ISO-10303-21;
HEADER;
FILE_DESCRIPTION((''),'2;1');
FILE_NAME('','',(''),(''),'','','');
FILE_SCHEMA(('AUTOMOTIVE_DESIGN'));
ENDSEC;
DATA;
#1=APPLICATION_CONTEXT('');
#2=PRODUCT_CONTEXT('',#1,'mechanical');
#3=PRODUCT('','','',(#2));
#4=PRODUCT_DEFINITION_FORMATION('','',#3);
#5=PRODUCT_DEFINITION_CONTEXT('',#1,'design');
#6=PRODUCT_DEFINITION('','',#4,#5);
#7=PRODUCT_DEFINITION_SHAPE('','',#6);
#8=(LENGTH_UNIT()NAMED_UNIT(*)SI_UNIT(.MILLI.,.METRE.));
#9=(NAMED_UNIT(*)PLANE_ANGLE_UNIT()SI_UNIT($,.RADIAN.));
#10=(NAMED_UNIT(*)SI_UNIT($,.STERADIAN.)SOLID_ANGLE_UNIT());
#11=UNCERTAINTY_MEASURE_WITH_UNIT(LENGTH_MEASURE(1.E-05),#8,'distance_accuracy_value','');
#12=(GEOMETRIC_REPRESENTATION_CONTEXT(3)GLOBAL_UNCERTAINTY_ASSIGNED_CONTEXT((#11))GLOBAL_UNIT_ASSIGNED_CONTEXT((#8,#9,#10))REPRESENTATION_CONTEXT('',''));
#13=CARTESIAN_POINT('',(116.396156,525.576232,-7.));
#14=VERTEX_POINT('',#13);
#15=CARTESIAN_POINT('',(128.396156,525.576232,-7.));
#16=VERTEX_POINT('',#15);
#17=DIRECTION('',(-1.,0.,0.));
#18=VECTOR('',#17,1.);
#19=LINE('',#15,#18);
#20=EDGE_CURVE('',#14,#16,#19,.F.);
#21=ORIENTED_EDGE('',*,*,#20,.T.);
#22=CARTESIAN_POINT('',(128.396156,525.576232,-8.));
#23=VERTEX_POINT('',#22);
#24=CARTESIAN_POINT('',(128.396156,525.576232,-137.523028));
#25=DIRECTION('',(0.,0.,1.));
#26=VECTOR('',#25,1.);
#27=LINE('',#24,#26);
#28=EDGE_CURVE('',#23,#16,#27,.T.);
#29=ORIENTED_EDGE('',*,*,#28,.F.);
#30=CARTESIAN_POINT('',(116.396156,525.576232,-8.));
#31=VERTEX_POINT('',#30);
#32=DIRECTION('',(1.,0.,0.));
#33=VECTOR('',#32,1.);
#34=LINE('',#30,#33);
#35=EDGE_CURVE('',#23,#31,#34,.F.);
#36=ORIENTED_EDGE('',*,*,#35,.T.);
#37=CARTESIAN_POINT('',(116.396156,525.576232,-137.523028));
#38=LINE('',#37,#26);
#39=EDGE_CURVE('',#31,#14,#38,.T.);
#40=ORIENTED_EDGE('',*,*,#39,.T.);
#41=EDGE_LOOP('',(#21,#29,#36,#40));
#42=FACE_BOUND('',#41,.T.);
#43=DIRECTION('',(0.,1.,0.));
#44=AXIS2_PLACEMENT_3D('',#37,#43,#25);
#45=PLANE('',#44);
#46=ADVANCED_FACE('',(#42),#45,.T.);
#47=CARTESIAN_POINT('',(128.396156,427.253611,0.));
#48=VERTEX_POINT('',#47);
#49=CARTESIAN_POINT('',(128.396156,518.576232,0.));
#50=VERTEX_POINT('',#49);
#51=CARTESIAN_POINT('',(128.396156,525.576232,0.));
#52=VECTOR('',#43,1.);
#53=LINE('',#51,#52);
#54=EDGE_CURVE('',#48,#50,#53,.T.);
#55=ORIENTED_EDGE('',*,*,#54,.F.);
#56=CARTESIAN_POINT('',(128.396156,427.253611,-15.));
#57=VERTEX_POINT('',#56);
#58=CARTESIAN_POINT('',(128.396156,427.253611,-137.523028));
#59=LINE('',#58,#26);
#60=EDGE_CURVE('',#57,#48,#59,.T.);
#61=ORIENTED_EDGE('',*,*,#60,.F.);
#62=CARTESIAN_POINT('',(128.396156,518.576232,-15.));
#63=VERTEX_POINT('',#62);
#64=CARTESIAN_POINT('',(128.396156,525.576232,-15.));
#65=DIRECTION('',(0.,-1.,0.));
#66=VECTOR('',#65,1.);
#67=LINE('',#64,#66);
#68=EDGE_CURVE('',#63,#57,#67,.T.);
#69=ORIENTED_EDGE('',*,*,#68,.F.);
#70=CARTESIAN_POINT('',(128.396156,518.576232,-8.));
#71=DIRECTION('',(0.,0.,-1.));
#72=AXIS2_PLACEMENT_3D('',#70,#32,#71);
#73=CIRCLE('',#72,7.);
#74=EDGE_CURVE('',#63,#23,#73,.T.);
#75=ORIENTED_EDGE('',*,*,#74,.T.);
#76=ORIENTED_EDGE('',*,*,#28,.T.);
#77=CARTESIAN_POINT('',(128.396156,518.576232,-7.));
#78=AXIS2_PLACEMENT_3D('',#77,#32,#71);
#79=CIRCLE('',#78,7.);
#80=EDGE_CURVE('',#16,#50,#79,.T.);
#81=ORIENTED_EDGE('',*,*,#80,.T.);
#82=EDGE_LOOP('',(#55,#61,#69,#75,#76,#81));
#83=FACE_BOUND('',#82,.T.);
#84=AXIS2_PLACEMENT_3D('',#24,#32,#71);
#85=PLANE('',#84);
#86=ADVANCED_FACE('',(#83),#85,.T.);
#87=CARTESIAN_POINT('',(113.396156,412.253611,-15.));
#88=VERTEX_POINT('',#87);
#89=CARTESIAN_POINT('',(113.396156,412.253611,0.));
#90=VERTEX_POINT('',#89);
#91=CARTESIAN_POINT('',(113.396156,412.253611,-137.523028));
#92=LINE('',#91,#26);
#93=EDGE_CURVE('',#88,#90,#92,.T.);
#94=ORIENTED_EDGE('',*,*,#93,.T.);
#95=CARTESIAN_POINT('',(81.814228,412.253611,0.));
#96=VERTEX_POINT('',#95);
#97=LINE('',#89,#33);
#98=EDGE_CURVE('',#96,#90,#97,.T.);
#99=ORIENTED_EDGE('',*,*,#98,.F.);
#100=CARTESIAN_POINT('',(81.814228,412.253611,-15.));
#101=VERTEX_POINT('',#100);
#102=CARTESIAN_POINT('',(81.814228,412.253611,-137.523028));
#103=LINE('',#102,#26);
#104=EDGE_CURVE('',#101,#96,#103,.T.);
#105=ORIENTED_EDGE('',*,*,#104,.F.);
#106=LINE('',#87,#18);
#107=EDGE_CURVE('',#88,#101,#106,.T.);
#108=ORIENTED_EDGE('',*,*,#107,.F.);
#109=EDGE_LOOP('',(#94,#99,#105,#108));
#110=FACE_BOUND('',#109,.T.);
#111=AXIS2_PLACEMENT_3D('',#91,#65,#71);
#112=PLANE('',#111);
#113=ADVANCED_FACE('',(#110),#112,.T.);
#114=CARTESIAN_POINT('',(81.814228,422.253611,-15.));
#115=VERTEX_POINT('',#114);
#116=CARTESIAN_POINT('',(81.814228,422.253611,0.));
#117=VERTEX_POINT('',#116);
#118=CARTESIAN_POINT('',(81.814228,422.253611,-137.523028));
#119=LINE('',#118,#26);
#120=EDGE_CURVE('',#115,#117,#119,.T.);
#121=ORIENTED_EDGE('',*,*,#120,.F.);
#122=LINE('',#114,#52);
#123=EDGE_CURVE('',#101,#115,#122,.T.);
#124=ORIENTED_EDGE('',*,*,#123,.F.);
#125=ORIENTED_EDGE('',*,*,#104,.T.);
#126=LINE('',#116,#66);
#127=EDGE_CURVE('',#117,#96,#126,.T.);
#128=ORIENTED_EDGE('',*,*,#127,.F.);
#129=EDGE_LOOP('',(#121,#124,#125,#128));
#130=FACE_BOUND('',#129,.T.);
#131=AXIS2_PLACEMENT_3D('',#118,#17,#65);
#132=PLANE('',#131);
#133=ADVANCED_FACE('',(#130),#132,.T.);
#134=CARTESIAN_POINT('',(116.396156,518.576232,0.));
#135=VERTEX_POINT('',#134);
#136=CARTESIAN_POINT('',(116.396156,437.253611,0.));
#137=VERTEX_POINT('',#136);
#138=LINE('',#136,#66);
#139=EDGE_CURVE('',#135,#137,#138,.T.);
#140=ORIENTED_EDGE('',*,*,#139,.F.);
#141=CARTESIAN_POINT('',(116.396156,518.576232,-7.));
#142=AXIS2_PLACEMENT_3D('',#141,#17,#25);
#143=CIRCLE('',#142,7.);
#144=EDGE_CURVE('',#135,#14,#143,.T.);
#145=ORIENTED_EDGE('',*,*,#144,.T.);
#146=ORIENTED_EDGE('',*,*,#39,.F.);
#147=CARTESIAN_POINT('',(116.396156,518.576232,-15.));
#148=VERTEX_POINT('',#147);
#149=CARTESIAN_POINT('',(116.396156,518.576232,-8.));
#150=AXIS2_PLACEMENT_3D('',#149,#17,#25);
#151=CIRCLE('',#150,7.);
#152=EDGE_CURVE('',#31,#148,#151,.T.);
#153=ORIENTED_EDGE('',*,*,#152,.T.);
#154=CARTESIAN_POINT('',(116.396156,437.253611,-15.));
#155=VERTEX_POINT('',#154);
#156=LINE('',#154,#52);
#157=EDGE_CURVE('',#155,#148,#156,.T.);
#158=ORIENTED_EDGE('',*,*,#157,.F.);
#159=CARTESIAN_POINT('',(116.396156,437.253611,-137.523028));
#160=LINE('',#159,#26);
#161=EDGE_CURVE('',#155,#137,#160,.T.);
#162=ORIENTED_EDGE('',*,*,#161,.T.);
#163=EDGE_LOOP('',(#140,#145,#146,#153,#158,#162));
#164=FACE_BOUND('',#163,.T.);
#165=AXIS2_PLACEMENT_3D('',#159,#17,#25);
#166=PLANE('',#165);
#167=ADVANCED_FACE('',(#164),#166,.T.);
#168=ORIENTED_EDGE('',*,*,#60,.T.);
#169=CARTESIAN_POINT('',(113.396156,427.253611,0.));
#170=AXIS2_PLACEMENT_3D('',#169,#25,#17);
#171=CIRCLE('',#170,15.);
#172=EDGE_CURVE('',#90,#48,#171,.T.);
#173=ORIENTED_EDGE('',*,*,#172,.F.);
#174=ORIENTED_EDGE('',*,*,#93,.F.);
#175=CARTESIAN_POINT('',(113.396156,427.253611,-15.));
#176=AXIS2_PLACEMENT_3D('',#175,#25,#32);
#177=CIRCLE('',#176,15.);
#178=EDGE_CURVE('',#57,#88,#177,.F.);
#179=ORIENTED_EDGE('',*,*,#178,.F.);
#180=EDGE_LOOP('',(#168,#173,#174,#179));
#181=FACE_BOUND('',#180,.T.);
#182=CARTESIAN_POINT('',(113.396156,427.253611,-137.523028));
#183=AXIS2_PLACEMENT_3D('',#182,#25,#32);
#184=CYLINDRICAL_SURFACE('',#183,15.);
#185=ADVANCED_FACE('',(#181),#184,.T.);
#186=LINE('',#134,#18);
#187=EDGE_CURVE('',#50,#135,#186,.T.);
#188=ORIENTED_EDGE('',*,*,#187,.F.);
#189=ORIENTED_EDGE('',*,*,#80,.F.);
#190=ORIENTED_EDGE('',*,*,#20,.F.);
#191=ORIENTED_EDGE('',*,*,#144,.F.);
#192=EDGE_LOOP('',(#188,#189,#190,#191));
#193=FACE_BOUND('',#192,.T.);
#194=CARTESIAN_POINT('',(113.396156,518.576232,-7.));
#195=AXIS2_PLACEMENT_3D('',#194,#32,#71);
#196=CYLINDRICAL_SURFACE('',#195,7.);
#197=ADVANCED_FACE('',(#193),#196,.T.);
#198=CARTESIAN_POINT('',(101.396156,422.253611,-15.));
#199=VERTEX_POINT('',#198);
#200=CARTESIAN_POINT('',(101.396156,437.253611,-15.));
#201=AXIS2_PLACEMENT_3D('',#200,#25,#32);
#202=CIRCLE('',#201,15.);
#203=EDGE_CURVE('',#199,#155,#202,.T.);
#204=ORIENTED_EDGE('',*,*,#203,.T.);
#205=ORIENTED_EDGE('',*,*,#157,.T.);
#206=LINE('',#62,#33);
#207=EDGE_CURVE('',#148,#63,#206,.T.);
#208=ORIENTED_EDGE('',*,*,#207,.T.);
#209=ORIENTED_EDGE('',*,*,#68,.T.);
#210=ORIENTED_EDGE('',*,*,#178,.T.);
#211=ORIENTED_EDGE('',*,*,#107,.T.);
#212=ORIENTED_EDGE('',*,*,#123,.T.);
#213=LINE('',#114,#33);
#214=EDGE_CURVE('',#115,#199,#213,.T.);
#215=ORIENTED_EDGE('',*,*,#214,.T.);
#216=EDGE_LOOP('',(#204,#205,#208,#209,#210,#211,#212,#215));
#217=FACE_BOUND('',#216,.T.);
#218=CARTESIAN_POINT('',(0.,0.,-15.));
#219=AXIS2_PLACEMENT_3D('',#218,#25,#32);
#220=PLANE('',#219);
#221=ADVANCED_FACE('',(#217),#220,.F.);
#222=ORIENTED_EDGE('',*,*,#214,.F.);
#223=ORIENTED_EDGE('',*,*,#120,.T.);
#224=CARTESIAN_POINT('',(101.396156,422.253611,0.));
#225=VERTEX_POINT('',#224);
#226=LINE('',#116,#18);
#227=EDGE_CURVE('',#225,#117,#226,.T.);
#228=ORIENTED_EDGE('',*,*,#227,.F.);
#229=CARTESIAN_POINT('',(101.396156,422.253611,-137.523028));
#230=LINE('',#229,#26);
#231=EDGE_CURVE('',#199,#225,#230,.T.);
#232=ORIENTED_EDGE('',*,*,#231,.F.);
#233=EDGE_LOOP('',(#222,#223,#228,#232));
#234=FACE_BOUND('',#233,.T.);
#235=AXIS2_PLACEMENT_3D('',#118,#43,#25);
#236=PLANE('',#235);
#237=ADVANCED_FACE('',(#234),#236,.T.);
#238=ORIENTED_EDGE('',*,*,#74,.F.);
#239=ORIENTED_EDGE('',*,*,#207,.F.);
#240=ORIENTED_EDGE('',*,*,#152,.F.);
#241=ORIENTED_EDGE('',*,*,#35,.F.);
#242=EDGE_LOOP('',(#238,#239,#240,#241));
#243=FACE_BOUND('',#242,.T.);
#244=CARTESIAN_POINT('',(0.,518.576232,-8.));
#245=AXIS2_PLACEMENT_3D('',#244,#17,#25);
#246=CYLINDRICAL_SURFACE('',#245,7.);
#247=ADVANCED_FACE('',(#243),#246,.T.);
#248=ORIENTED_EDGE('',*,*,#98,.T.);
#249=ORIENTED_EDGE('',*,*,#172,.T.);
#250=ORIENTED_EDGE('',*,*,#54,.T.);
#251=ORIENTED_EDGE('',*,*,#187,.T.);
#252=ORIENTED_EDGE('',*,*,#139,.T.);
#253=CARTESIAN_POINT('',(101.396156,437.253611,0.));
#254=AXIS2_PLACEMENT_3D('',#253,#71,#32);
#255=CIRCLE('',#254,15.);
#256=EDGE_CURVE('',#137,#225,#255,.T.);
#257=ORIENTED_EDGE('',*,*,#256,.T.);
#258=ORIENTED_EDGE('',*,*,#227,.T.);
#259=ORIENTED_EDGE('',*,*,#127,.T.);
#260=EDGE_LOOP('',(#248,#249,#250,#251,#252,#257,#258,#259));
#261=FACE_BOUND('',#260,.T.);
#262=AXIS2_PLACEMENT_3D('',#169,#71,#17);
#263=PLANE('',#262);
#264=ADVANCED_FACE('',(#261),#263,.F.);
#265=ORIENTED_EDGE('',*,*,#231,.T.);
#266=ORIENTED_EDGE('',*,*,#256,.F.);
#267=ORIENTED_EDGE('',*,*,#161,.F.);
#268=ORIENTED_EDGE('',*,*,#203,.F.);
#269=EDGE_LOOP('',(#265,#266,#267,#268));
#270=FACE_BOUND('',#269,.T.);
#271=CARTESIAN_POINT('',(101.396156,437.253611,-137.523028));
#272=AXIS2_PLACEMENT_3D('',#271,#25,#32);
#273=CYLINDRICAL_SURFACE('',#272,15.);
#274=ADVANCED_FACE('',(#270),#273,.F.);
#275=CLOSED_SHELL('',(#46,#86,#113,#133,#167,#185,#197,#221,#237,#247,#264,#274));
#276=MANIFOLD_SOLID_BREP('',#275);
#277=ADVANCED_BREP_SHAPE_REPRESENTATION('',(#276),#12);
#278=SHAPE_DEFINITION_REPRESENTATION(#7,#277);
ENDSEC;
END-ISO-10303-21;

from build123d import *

# Parameters (mm, degrees)
BOSS_EXTRUDE1_DEPTH = 15
FILLET1_R           = 7


with BuildPart() as part:
    # Sketch1 → Boss-Extrude1 (new body)
    with BuildSketch(Plane.XY):
        with BuildLine():
            Line((81.814228499, 422.253610621), (101.396155955, 422.253610621))
            ThreePointArc((101.396155955, 422.253610621), (112.002757673, 426.647008903), (116.396155955, 437.253610621))
            Line((116.396155955, 437.253610621), (116.396155955, 525.576232013))
            Line((116.396155955, 525.576232013), (128.396155955, 525.576232013))
            Line((128.396155955, 525.576232013), (128.396155955, 427.253610621))
            ThreePointArc((128.396155955, 427.253610621), (124.002757673, 416.647008903), (113.396155955, 412.253610621))
            Line((113.396155955, 412.253610621), (81.814228499, 412.253610621))
            Line((81.814228499, 412.253610621), (81.814228499, 422.253610621))
        make_face()
    extrude(amount=-BOSS_EXTRUDE1_DEPTH)

    # Fillet1
    fillet1_edges = [part.edges().sort_by_distance(p)[0] for p in [
        (122.396155955, 525.576232013, -15),
        (122.396155955, 525.576232013, 0),
    ]]
    fillet(fillet1_edges, radius=FILLET1_R)


solid = part.part
